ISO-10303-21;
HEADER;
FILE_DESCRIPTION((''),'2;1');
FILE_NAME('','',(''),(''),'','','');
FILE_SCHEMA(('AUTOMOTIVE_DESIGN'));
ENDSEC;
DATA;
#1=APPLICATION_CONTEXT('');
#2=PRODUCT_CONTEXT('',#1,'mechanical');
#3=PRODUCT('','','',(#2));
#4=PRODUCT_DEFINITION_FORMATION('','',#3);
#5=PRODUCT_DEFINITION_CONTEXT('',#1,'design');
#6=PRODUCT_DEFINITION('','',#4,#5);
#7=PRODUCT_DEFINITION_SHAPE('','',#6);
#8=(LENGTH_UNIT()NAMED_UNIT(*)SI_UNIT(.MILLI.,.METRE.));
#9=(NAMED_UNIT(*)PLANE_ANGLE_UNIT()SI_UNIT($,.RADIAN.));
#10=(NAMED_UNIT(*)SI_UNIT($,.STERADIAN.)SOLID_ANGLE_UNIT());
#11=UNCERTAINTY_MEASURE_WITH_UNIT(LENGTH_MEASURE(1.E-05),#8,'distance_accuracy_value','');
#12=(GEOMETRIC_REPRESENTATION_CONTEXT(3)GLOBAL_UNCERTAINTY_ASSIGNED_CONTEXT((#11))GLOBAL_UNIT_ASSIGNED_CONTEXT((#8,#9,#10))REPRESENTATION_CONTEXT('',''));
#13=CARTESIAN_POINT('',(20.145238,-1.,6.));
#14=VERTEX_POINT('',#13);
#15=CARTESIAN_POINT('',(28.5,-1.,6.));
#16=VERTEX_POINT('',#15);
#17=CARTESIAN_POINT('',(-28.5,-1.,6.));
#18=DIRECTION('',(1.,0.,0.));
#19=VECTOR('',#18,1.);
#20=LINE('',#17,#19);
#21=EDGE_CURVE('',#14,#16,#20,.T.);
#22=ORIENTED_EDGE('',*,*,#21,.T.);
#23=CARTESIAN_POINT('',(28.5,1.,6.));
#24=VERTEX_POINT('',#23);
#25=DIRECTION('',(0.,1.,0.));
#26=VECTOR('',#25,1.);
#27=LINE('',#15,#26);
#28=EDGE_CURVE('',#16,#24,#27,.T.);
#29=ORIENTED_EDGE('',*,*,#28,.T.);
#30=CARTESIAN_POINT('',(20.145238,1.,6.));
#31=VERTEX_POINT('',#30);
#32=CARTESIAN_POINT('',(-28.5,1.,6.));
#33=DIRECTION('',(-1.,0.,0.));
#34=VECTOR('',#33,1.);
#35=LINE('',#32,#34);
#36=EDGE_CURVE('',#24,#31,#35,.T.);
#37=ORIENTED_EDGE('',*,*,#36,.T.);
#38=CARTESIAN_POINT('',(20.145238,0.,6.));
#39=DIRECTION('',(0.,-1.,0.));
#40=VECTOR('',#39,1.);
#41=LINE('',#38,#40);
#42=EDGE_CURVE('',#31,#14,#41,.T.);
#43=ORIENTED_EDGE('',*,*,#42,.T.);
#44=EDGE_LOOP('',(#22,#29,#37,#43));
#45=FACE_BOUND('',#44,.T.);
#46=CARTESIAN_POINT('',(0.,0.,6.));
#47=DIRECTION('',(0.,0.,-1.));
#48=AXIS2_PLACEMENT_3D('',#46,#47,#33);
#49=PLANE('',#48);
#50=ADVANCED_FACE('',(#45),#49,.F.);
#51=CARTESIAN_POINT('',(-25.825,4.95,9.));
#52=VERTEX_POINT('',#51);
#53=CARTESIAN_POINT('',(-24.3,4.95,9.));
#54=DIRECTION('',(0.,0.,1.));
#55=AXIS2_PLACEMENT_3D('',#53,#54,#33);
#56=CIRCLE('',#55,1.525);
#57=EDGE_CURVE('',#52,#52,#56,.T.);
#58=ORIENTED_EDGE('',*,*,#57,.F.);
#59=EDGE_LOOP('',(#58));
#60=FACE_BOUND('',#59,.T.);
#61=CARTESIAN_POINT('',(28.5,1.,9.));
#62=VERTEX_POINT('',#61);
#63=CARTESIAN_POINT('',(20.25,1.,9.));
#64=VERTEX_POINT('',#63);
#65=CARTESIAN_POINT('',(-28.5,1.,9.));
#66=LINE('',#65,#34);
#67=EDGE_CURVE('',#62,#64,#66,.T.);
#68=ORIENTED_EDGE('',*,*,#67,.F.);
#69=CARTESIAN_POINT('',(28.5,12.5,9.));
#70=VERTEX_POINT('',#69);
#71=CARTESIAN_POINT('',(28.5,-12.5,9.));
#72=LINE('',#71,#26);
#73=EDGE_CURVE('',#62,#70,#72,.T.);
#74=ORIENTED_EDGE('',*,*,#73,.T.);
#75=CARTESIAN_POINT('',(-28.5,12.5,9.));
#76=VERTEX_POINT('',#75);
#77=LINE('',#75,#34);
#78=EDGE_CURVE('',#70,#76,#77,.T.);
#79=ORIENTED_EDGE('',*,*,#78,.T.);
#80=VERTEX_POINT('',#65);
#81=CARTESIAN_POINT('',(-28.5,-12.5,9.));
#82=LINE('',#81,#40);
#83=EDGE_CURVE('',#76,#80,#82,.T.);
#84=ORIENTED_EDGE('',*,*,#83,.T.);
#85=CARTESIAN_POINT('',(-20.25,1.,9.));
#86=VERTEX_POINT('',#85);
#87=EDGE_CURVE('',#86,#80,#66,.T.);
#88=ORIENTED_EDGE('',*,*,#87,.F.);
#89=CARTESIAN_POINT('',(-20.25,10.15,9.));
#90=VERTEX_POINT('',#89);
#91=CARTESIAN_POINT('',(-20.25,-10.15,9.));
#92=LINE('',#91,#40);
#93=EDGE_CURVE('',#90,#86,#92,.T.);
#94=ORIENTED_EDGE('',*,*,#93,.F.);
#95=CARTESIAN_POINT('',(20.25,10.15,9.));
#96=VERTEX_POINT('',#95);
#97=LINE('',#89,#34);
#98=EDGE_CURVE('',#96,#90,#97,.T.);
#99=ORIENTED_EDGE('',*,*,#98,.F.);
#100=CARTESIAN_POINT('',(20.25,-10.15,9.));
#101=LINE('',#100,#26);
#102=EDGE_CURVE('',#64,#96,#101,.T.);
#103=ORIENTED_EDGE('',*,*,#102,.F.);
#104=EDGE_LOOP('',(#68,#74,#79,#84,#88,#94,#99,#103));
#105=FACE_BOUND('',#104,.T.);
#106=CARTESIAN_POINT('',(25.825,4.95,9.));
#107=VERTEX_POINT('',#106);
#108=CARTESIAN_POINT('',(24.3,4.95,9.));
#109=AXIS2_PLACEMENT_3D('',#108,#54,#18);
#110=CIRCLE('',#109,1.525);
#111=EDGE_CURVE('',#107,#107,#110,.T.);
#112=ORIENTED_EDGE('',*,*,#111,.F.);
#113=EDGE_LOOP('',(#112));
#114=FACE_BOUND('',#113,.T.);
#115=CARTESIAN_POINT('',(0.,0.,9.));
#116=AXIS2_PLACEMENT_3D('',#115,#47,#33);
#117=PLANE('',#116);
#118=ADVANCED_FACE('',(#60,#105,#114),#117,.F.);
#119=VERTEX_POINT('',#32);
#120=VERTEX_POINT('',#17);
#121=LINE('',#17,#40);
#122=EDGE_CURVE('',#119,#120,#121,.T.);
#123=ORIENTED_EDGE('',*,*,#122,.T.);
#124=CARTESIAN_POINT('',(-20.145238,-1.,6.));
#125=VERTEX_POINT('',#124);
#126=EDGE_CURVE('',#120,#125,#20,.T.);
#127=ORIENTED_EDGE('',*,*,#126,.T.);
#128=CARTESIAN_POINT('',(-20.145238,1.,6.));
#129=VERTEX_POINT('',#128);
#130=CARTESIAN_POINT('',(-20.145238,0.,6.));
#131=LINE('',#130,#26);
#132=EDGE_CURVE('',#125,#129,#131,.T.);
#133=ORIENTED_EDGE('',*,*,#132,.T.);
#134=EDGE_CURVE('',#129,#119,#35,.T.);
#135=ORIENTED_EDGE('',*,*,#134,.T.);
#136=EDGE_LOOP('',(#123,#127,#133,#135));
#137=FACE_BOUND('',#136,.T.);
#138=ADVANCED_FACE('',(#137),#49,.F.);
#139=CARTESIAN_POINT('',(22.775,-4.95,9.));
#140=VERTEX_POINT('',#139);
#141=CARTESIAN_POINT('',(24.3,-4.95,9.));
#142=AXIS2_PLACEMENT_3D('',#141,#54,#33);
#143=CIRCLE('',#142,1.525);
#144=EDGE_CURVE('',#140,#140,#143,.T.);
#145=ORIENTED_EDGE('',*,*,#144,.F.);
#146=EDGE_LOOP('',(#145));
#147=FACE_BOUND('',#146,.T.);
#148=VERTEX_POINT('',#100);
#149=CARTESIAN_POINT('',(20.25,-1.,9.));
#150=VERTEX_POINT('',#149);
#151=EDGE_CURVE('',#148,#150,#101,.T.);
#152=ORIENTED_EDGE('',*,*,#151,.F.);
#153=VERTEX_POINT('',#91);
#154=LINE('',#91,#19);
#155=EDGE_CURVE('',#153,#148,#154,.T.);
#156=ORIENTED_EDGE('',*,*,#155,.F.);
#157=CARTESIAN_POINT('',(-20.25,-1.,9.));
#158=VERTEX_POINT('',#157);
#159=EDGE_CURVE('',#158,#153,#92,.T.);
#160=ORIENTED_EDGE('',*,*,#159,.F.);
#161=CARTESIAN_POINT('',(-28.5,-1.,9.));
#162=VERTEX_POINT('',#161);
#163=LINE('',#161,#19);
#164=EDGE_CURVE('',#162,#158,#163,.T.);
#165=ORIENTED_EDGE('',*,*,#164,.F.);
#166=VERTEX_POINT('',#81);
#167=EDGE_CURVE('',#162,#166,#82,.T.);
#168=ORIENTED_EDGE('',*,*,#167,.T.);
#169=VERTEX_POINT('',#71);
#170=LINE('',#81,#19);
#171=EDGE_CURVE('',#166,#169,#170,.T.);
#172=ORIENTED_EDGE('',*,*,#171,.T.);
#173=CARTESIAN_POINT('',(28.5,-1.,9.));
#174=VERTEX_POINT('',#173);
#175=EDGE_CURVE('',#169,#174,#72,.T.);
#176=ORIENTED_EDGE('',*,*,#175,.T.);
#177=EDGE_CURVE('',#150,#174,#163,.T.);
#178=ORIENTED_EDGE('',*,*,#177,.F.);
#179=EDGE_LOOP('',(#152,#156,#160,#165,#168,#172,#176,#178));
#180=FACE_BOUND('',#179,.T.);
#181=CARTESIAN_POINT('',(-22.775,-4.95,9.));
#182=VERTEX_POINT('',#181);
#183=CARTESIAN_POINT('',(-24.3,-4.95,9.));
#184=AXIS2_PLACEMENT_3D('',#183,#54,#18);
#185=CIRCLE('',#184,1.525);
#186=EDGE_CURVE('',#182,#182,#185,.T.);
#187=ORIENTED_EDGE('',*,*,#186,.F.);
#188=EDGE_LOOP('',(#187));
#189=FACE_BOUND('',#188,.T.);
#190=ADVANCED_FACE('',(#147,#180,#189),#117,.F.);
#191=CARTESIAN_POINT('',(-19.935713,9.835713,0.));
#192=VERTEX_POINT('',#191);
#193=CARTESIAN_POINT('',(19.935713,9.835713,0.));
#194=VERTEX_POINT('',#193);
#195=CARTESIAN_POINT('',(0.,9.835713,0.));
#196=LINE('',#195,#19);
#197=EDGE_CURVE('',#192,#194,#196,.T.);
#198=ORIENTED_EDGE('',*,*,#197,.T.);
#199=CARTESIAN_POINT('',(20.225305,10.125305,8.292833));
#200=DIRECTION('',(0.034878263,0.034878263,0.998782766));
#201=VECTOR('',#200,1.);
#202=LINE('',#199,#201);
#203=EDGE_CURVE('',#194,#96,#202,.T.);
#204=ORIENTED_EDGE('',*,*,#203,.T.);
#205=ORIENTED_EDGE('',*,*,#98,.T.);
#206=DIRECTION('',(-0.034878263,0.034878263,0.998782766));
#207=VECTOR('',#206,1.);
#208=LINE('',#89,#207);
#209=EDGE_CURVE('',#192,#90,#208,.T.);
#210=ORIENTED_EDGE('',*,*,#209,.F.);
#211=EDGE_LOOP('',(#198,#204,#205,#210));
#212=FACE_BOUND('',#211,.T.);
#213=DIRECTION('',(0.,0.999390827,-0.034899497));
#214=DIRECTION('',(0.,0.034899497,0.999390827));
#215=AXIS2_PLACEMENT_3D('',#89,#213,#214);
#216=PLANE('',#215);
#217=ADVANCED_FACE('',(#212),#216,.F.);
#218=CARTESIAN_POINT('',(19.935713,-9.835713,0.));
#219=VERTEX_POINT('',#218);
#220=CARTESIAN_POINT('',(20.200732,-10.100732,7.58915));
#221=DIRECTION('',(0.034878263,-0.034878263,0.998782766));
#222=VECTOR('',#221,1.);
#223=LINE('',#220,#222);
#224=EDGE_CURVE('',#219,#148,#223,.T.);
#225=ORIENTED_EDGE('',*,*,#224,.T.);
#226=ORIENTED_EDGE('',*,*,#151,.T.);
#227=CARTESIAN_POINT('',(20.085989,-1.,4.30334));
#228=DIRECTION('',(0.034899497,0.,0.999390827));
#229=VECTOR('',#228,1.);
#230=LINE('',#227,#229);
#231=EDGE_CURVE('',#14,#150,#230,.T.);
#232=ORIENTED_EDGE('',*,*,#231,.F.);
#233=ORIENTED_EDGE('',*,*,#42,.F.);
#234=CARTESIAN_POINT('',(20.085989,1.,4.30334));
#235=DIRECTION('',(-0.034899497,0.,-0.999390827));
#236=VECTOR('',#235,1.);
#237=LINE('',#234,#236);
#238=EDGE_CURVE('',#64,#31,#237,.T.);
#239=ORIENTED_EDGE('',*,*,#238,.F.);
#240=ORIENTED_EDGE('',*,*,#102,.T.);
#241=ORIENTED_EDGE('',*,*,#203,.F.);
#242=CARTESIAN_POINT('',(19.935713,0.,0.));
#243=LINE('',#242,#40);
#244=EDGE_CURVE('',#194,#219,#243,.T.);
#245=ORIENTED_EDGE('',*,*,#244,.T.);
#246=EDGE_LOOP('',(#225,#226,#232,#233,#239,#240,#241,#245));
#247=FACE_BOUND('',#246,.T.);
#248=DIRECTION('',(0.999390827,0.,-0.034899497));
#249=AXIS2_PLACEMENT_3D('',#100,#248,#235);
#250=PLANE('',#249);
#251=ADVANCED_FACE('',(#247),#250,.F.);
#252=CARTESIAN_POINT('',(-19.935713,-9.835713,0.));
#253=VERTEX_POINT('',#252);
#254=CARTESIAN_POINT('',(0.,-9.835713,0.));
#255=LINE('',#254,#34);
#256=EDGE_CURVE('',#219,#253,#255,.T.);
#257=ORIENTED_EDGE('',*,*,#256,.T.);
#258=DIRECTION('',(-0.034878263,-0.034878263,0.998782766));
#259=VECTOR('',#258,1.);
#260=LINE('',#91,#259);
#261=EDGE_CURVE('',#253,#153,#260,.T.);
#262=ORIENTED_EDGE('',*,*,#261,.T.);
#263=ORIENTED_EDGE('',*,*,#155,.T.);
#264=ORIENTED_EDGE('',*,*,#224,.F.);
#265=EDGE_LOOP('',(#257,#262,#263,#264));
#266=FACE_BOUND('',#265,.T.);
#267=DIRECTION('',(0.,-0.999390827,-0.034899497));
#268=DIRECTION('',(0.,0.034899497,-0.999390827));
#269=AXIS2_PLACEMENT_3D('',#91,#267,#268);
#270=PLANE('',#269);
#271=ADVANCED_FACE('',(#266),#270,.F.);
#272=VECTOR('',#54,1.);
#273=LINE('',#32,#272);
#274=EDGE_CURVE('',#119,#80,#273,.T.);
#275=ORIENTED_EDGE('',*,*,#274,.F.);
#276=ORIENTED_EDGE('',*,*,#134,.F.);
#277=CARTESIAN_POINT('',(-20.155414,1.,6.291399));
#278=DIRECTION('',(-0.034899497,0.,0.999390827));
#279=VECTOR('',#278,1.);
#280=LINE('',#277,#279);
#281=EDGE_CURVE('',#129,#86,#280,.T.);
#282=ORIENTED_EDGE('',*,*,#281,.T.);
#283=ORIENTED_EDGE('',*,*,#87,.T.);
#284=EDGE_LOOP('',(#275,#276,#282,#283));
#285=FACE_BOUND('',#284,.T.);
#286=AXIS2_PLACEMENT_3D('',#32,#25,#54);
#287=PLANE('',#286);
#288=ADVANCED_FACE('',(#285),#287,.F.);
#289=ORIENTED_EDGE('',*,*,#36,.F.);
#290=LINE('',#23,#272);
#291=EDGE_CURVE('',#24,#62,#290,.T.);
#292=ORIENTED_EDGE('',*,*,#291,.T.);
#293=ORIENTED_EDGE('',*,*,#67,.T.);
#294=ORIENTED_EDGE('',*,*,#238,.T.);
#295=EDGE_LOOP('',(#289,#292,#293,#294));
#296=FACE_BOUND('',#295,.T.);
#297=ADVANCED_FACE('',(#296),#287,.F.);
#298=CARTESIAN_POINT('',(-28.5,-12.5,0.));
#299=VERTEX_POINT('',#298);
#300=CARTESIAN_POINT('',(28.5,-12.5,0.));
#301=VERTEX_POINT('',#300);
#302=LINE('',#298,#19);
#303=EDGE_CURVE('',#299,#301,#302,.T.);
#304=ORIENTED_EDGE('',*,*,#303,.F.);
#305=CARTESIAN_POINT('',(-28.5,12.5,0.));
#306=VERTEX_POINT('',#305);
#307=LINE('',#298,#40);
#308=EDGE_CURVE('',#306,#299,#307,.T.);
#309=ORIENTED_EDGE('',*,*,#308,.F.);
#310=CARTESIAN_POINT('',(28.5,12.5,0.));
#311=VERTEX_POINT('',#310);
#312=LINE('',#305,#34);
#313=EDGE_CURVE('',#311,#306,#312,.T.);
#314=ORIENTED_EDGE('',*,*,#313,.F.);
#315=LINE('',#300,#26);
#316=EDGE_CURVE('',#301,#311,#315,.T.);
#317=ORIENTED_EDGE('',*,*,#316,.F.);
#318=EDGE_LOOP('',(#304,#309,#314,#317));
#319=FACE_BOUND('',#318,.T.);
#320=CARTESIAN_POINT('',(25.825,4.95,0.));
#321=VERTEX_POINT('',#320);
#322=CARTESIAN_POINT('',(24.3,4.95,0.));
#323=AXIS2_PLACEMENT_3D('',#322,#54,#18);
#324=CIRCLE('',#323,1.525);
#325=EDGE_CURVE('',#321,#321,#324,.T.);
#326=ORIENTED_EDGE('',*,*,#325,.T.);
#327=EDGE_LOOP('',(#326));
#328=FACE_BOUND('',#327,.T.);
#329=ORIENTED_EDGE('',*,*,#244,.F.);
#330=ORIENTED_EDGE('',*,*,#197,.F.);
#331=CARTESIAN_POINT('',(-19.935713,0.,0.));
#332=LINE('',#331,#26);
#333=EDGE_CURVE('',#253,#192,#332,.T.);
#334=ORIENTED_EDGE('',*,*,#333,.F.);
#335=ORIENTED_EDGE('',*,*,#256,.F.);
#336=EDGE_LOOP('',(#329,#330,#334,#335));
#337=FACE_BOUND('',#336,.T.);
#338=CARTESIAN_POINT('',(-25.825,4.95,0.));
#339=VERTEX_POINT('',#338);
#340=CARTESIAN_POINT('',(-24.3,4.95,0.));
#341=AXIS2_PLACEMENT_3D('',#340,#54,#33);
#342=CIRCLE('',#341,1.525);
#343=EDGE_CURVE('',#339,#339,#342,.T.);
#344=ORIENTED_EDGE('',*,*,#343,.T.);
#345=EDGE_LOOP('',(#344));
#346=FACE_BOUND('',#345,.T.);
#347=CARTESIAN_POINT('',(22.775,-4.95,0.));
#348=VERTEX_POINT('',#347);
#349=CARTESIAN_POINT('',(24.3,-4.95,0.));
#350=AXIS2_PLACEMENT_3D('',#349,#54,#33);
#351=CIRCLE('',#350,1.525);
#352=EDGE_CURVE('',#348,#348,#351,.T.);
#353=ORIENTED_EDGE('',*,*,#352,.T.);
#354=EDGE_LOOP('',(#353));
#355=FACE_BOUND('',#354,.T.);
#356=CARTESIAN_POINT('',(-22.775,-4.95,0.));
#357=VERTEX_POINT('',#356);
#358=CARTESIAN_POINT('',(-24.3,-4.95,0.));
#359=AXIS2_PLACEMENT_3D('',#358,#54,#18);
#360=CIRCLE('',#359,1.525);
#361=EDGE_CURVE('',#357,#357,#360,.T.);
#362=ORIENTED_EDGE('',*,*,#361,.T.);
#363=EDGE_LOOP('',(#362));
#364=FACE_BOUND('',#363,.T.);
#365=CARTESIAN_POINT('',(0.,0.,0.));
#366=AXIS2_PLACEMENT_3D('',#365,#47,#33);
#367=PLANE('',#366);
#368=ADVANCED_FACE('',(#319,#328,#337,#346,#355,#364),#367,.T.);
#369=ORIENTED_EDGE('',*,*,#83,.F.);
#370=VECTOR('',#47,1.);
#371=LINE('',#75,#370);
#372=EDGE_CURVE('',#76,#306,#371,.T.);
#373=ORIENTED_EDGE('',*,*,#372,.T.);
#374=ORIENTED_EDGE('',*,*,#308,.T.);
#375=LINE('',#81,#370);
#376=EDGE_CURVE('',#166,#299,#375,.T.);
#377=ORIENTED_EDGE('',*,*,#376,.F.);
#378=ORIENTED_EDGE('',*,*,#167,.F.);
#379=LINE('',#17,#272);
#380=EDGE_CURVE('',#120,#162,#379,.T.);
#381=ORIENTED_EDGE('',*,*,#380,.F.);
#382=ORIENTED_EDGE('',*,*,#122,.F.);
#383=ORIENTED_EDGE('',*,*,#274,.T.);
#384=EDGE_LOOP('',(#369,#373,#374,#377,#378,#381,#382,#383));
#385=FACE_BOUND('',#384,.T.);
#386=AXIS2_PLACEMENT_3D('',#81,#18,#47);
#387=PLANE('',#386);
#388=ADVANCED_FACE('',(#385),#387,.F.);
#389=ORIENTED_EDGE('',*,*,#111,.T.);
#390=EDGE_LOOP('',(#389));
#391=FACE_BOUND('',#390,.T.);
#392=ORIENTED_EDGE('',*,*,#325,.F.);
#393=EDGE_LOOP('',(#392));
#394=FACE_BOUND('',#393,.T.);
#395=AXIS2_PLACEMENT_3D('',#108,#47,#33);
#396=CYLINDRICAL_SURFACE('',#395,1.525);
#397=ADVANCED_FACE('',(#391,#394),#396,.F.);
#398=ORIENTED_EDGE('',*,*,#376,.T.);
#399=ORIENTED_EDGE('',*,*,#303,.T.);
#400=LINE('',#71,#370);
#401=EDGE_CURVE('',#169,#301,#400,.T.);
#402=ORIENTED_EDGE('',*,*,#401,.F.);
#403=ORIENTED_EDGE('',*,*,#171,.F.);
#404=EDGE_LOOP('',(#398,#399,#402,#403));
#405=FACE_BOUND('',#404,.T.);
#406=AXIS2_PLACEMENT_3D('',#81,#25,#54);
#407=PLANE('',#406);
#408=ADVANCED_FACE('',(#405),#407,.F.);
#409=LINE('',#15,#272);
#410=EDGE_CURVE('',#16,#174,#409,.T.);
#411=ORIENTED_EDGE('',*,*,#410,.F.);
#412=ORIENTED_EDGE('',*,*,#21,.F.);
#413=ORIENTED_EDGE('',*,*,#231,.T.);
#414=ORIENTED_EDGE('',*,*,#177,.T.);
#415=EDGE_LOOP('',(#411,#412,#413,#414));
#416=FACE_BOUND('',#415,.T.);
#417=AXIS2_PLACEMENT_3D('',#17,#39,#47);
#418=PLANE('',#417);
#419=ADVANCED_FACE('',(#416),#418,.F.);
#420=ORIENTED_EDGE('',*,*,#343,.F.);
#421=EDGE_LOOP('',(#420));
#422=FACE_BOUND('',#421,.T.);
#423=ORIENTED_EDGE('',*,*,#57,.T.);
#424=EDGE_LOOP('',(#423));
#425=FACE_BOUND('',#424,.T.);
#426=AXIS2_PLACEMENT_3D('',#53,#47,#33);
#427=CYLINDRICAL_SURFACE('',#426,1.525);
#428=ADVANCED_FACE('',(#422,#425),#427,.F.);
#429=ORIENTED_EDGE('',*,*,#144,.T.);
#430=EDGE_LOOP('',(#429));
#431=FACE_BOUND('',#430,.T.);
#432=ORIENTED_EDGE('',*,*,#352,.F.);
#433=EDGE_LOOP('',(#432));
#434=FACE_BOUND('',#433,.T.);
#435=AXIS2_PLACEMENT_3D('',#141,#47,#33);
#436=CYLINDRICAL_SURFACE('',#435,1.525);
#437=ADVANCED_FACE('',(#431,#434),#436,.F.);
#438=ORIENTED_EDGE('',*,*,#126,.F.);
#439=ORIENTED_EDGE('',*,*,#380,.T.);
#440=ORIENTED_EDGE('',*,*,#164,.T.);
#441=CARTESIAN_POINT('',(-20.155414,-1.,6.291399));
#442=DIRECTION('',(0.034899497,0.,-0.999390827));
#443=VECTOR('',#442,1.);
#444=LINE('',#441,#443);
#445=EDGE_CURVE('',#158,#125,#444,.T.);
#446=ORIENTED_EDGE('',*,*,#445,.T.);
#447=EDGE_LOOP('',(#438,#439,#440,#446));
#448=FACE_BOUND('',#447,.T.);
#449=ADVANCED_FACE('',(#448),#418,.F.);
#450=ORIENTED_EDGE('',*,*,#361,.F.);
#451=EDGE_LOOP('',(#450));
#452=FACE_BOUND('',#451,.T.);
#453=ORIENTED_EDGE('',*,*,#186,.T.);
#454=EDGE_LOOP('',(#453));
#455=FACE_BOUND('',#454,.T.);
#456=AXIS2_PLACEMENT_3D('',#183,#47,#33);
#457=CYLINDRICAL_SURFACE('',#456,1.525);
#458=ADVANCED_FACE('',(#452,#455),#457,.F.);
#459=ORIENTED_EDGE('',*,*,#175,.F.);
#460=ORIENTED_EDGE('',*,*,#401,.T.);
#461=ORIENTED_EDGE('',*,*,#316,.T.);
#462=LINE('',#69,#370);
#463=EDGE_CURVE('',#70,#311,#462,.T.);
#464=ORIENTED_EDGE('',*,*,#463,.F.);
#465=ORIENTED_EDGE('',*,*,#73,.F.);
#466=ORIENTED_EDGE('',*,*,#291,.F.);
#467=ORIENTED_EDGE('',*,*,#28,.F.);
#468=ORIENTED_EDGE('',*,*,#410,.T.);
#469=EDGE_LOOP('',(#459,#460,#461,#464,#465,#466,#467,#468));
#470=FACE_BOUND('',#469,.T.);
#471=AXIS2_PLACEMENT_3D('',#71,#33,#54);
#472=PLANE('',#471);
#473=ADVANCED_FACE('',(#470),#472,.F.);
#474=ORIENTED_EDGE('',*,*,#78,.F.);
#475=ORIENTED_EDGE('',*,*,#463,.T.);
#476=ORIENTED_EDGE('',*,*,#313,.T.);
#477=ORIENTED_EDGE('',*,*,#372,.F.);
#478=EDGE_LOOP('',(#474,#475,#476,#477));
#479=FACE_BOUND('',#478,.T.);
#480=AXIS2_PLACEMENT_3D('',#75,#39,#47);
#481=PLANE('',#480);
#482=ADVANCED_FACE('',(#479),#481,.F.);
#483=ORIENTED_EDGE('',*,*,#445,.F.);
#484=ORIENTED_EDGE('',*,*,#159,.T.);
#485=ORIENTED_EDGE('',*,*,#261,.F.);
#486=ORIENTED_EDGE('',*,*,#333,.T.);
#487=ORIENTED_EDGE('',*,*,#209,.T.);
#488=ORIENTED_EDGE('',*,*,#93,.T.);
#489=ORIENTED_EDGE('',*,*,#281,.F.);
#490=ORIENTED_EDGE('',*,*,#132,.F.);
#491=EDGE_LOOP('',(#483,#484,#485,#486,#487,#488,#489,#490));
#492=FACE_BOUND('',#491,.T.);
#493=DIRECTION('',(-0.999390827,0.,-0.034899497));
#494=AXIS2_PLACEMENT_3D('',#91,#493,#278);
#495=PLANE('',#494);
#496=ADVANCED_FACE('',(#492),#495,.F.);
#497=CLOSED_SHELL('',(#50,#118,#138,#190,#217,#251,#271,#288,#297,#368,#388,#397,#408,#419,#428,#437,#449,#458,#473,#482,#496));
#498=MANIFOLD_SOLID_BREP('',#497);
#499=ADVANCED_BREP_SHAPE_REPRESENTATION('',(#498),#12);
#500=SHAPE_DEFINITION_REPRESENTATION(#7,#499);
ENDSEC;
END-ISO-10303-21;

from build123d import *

# Parameters (mm, degrees)
SKETCH_1_W          = 57
SKETCH_1_H          = 25
SKETCH_1_R          = 1.525
EXTRUDE_1_DEPTH     = 9
SKETCH_2_W          = 57
SKETCH_2_H          = 2
CUT_EXTRUDE_1_DEPTH = 3
SKETCH_3_W          = 40.5
SKETCH_3_H          = 20.3
CUT_EXTRUDE_2_DEPTH = 15
CUT_EXTRUDE_2_DRAFT = -2


with BuildPart() as part:
    # 草图1 → 凸台-拉伸1 (new body)
    with BuildSketch(Plane.XY):
        Rectangle(SKETCH_1_W, SKETCH_1_H)
        with Locations((24.3, 4.95)):
            Circle(SKETCH_1_R, mode=Mode.SUBTRACT)
        with Locations(Location((-24.3, 4.95, 0), (0, 0, 180))):
            Circle(SKETCH_1_R, mode=Mode.SUBTRACT)
        with Locations((-24.3, -4.95)):
            Circle(SKETCH_1_R, mode=Mode.SUBTRACT)
        with Locations(Location((24.3, -4.95, 0), (0, 0, 180))):
            Circle(SKETCH_1_R, mode=Mode.SUBTRACT)
    extrude(amount=EXTRUDE_1_DEPTH)

    # 草图2 → 切除-拉伸1 (cut)
    with BuildSketch(Plane.XY.offset(9)):
        Rectangle(SKETCH_2_W, SKETCH_2_H)
    extrude(amount=-CUT_EXTRUDE_1_DEPTH, mode=Mode.SUBTRACT)


with BuildPart() as cut_extrude_2_tool:
    # 草图3 → 切除-拉伸2 (with draft: the straight prism first)
    with BuildSketch(Plane.XY.offset(9)):
        Rectangle(SKETCH_3_W, SKETCH_3_H)
    extrude(amount=-CUT_EXTRUDE_2_DEPTH)
    # 切除-拉伸2: the draft: its side faces are tilted about the plane it starts from
    cut_extrude_2_sides = [cut_extrude_2_tool.faces().sort_by_distance(p)[0] for p in [
        (0, -10.15, 1.5),
        (20.25, 0, 1.5),
        (0, 10.15, 1.5),
        (-20.25, 0, 1.5),
    ]]
    draft(cut_extrude_2_sides, Plane.XY.offset(9), CUT_EXTRUDE_2_DRAFT)


with BuildPart() as part_1:
    add(part.part)

    # 切除-拉伸2: cut by cut_extrude_2_tool
    add(cut_extrude_2_tool.part, mode=Mode.SUBTRACT)


solid = part_1.part
